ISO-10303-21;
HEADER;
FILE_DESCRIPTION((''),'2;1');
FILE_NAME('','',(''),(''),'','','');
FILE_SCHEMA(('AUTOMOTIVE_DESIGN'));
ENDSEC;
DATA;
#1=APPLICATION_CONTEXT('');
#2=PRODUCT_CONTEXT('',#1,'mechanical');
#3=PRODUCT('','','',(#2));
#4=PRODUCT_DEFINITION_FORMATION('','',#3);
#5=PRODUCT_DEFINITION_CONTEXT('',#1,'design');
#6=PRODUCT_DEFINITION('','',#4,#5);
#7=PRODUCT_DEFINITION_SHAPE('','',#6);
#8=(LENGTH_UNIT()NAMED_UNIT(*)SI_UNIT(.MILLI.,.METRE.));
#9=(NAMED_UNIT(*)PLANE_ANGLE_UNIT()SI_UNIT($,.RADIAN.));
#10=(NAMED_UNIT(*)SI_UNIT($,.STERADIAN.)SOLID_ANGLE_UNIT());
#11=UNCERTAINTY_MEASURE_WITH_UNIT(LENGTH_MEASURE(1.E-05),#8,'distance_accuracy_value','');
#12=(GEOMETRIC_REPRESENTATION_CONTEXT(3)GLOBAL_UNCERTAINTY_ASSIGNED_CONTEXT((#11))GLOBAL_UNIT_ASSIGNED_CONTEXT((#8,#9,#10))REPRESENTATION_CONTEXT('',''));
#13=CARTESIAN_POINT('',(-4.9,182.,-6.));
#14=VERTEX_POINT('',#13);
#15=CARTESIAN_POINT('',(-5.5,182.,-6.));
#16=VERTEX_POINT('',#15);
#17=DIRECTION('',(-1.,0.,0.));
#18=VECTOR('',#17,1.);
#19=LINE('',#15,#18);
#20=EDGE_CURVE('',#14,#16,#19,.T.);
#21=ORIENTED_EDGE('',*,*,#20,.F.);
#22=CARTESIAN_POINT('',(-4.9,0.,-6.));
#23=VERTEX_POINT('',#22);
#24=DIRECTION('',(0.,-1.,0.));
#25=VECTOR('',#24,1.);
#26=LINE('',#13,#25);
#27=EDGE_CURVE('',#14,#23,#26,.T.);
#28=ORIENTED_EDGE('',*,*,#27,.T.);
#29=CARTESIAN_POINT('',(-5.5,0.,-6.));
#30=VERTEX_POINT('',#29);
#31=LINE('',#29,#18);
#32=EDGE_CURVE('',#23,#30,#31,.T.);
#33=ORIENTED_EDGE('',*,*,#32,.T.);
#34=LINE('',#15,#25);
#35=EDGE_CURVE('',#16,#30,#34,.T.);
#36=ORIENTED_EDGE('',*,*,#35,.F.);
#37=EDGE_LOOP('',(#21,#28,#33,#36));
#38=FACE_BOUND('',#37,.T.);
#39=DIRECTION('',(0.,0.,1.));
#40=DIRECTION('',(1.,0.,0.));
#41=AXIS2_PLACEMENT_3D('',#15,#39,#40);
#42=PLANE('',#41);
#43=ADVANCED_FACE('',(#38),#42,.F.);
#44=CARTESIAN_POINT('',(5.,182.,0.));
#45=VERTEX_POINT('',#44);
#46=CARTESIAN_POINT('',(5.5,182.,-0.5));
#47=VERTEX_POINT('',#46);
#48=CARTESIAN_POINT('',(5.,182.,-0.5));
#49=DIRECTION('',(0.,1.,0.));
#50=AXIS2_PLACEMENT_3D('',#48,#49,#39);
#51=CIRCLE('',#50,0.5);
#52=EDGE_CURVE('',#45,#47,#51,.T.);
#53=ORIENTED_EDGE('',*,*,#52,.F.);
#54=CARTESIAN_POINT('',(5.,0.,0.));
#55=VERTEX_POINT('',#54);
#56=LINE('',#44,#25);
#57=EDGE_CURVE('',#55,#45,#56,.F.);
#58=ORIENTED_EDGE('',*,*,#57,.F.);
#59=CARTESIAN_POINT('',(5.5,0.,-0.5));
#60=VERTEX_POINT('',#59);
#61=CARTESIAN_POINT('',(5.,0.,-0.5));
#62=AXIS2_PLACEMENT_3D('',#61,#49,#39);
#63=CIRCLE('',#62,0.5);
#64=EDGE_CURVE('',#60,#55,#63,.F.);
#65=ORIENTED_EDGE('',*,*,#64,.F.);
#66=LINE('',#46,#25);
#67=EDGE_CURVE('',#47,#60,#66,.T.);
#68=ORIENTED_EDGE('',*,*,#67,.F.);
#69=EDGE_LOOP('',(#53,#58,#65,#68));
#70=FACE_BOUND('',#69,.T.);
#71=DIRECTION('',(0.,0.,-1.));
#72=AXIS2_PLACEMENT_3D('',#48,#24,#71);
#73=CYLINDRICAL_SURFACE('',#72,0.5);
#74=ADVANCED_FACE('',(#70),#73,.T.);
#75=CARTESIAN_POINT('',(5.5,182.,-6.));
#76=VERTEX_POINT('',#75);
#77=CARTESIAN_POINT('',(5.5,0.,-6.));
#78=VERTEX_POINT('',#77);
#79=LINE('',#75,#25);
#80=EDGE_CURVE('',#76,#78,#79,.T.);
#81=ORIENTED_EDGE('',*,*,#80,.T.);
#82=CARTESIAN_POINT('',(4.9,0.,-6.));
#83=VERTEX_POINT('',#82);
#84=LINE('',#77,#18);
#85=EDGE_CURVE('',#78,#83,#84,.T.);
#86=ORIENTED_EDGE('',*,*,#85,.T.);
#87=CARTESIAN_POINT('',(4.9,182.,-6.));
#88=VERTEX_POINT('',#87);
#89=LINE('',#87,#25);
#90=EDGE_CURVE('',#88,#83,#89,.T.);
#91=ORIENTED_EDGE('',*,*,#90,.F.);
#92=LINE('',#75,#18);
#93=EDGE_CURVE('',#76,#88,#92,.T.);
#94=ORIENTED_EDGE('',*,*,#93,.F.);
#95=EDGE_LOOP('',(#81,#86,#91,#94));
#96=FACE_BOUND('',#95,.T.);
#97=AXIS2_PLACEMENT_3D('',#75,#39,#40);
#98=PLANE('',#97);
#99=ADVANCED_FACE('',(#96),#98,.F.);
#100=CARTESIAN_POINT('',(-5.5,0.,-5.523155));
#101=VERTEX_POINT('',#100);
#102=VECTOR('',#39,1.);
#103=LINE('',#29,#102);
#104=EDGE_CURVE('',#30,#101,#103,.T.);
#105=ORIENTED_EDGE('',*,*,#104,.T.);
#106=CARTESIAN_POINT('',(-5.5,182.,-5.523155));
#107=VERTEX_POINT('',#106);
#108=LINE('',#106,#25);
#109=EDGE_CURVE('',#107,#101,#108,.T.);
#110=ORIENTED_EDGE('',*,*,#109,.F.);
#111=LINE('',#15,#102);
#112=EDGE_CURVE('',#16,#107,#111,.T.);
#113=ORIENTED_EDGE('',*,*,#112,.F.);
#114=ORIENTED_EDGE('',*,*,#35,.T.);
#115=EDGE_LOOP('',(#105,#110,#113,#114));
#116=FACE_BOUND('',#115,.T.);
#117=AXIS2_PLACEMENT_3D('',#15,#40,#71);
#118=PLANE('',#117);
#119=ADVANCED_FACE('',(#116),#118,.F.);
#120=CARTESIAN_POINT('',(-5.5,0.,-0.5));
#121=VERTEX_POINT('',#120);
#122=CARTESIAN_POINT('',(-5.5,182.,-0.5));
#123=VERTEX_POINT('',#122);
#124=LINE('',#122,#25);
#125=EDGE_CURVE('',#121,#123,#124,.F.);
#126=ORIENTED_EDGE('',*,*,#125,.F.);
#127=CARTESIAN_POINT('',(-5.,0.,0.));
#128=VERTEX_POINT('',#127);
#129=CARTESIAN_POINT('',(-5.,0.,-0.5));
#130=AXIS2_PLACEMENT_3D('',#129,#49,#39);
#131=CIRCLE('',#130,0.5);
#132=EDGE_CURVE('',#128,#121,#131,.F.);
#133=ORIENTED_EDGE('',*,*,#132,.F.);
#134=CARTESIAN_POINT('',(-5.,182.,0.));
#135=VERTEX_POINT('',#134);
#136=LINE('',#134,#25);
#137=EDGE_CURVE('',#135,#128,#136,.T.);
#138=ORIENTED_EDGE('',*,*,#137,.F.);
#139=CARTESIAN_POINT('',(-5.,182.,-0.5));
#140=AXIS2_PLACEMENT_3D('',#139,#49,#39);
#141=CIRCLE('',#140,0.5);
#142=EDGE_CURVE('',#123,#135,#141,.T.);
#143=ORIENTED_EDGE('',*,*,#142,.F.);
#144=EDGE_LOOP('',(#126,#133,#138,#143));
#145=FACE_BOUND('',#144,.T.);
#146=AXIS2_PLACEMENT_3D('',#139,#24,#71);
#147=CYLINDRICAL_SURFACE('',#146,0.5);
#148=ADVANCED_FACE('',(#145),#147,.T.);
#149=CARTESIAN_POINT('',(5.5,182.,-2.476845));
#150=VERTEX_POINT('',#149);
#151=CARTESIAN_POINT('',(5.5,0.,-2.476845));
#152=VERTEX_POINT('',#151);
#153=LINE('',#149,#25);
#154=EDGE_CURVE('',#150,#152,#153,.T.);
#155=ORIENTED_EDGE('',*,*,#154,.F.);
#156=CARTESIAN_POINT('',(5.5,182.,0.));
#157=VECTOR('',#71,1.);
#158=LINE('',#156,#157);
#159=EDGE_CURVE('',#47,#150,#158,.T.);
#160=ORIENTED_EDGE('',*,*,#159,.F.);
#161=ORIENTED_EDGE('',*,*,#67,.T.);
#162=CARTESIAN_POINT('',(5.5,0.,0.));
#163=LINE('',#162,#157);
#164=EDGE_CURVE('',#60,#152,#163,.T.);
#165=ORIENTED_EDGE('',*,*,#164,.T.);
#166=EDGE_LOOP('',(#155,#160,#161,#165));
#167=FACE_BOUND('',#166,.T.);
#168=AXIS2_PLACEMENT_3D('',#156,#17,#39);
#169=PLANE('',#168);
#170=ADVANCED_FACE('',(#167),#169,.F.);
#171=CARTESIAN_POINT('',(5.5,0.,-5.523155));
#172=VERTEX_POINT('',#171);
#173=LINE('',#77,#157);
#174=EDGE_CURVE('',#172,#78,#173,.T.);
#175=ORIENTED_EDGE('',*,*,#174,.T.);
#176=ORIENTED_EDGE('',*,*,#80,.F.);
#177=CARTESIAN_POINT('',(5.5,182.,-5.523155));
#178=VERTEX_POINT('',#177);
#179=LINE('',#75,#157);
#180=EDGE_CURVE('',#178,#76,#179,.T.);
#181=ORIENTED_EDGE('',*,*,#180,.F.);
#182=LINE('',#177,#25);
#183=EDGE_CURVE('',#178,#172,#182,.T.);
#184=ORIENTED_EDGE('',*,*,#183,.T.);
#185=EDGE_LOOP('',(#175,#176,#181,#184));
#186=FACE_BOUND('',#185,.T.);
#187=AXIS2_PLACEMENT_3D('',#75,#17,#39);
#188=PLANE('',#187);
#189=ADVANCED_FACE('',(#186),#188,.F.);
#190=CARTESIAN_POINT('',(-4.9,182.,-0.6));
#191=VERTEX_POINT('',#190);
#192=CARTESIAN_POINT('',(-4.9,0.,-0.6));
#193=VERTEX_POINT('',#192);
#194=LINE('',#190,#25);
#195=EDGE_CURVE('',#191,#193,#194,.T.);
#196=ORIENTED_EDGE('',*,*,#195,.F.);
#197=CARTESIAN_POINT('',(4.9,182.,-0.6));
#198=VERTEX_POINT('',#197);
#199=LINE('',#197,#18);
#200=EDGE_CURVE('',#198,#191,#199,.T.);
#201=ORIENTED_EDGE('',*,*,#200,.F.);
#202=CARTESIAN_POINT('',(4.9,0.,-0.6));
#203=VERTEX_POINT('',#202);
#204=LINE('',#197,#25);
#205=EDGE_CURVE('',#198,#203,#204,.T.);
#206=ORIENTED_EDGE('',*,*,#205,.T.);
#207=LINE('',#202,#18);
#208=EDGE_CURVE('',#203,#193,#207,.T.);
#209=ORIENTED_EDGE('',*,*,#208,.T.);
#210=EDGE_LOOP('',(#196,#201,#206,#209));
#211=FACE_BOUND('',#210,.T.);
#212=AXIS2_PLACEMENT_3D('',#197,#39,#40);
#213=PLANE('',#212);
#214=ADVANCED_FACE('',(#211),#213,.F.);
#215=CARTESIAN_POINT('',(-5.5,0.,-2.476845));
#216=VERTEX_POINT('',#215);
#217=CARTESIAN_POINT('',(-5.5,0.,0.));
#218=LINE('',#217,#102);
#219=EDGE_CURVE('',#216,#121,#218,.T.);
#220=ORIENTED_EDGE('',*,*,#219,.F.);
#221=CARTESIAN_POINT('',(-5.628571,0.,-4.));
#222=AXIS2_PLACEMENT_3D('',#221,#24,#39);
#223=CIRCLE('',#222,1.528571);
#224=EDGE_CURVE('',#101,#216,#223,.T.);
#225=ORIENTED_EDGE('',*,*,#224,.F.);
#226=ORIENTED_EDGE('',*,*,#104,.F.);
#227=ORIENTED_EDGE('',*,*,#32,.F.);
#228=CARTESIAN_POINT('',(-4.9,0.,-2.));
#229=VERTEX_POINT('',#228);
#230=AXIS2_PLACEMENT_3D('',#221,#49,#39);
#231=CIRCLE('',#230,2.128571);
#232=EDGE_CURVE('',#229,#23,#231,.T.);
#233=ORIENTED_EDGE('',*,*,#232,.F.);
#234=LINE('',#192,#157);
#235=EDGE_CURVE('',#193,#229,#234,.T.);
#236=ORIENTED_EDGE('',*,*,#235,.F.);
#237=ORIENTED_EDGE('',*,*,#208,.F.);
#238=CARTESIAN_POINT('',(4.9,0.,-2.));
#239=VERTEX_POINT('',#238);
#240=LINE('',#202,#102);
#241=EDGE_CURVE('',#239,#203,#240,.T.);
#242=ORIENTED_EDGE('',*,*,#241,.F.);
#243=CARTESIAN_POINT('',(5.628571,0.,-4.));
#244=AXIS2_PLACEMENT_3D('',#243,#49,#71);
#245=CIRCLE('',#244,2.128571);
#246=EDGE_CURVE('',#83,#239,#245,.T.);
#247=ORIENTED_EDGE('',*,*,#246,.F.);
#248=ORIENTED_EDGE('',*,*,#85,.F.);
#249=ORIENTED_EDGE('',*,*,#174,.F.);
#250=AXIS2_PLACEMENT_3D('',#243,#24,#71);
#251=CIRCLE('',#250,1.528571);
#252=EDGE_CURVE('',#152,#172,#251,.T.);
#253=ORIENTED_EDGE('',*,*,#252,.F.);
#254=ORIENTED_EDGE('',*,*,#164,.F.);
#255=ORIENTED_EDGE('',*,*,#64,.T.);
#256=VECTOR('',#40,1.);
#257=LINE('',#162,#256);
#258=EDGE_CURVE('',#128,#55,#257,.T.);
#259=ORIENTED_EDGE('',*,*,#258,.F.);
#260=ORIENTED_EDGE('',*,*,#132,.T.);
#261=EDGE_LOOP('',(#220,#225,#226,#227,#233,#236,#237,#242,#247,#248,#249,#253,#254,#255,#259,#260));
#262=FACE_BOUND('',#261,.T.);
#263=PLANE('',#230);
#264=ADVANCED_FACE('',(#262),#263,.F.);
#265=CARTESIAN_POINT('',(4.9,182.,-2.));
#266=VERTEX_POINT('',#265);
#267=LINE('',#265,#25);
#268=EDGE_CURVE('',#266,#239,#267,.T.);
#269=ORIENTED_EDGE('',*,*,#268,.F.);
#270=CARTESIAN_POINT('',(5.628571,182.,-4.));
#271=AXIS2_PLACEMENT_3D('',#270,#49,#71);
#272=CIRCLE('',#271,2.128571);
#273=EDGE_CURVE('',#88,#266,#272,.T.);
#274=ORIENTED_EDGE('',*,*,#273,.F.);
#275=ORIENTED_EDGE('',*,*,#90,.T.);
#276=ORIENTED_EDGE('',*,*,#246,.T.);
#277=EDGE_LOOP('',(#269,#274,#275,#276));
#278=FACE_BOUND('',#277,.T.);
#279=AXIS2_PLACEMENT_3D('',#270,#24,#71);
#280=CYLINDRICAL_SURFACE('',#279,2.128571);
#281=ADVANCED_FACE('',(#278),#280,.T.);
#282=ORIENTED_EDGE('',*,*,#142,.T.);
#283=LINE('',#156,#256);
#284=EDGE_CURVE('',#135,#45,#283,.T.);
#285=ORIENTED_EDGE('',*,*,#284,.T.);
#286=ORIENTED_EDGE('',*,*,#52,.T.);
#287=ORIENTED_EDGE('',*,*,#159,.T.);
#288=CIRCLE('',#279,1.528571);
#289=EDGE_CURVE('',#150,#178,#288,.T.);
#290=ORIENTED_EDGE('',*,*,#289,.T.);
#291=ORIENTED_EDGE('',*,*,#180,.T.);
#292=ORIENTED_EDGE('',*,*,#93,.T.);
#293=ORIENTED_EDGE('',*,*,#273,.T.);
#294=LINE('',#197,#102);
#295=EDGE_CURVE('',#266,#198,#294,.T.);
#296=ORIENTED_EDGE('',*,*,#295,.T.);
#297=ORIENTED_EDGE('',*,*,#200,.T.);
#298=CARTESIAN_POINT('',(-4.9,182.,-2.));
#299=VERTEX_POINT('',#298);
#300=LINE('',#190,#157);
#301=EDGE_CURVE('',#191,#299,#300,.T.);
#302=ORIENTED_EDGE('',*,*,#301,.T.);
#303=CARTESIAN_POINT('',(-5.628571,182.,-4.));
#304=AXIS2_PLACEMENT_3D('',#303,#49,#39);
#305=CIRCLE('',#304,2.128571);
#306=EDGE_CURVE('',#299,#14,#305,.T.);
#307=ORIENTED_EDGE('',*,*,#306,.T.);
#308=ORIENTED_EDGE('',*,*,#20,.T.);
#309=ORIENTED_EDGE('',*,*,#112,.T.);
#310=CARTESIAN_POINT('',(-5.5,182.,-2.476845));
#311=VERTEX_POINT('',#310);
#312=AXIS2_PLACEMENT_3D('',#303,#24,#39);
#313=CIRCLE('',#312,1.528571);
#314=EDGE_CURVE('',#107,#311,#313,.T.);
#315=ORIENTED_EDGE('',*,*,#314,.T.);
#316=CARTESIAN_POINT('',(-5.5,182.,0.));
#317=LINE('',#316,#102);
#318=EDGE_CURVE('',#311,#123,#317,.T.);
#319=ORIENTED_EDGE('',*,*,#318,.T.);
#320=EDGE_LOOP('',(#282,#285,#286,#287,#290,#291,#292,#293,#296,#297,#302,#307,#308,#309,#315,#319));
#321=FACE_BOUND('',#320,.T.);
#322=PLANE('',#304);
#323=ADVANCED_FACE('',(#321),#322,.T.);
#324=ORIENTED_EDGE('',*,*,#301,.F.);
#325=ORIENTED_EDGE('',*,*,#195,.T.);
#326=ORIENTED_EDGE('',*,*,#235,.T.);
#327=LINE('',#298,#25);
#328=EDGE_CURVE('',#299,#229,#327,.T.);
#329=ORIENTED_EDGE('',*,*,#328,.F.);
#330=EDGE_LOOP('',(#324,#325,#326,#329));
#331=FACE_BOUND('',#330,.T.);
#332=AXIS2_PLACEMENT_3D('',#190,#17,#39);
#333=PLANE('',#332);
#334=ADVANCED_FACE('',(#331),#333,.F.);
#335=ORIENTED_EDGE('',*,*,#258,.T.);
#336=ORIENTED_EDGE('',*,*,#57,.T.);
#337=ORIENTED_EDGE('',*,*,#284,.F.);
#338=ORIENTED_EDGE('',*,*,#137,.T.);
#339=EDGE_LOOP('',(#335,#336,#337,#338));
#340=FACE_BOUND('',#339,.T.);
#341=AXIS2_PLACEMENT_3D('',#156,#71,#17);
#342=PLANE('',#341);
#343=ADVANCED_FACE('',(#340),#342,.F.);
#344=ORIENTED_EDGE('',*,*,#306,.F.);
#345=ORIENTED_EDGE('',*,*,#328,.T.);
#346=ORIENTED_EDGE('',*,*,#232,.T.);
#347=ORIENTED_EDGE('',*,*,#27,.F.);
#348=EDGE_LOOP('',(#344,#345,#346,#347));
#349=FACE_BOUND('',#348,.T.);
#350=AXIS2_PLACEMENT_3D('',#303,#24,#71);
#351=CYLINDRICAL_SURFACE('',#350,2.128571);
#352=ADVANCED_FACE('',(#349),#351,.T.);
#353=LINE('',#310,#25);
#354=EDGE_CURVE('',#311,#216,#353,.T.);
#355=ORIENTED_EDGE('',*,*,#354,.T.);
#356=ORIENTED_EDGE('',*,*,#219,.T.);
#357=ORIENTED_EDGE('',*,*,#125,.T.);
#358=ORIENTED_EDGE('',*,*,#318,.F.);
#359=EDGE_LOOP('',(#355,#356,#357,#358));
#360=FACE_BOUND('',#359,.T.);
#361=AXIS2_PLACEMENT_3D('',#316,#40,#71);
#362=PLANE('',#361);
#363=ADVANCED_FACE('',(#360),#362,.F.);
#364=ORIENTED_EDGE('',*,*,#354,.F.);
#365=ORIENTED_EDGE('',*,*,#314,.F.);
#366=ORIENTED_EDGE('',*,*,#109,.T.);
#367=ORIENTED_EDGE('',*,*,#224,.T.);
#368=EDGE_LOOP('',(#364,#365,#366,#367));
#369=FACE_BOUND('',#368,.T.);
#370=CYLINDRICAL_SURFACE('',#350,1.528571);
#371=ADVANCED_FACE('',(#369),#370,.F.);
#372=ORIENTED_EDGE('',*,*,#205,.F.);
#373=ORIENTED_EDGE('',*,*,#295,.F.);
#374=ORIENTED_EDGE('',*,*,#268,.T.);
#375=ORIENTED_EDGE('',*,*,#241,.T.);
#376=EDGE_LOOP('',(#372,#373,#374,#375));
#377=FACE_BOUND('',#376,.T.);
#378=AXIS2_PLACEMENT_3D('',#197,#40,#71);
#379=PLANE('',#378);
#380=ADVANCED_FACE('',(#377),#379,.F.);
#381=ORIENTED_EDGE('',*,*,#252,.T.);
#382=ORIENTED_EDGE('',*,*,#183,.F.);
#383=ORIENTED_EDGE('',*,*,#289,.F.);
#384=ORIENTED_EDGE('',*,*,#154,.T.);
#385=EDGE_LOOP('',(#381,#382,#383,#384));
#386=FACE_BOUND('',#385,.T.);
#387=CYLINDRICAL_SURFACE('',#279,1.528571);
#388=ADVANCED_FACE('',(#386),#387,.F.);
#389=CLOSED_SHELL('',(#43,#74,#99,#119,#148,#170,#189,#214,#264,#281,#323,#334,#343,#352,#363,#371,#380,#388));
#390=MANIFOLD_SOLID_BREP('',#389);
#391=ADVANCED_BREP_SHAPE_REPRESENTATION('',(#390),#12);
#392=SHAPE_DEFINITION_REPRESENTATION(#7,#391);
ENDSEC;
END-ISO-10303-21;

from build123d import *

# Parameters (mm, degrees)
EXTRUSION1_DEPTH = 182
CONG_1_R         = 0.5


with BuildPart() as part:
    # Esquisse1 → Extrusion1 (new body)
    with BuildSketch(Plane(origin=(0, 0, 0), x_dir=(1, 0, 0), z_dir=(0, 1, 0))):
        with BuildLine():
            Line((5.5, 0), (-5.5, 0))
            Line((-5.5, 0), (-5.5, 2.476845379))
            ThreePointArc((-5.5, 2.476845379), (-4.1, 4), (-5.5, 5.523154621))
            Line((-5.5, 5.523154621), (-5.5, 6))
            Line((-5.5, 6), (-4.9, 6))
            ThreePointArc((-4.9, 6), (-3.5, 4), (-4.9, 2))
            Line((-4.9, 2), (-4.9, 0.6))
            Line((-4.9, 0.6), (4.9, 0.6))
            Line((4.9, 0.6), (4.9, 2))
            ThreePointArc((4.9, 2), (3.5, 4), (4.9, 6))
            Line((4.9, 6), (5.5, 6))
            Line((5.5, 6), (5.5, 5.523154621))
            ThreePointArc((5.5, 5.523154621), (4.1, 4), (5.5, 2.476845379))
            Line((5.5, 2.476845379), (5.5, 0))
        make_face()
    extrude(amount=EXTRUSION1_DEPTH)

    # Congé1
    cong_1_edges = [part.edges().sort_by_distance(p)[0] for p in [
        (5.5, 91, 0),
        (-5.5, 91, 0),
    ]]
    fillet(cong_1_edges, radius=CONG_1_R)


solid = part.part
